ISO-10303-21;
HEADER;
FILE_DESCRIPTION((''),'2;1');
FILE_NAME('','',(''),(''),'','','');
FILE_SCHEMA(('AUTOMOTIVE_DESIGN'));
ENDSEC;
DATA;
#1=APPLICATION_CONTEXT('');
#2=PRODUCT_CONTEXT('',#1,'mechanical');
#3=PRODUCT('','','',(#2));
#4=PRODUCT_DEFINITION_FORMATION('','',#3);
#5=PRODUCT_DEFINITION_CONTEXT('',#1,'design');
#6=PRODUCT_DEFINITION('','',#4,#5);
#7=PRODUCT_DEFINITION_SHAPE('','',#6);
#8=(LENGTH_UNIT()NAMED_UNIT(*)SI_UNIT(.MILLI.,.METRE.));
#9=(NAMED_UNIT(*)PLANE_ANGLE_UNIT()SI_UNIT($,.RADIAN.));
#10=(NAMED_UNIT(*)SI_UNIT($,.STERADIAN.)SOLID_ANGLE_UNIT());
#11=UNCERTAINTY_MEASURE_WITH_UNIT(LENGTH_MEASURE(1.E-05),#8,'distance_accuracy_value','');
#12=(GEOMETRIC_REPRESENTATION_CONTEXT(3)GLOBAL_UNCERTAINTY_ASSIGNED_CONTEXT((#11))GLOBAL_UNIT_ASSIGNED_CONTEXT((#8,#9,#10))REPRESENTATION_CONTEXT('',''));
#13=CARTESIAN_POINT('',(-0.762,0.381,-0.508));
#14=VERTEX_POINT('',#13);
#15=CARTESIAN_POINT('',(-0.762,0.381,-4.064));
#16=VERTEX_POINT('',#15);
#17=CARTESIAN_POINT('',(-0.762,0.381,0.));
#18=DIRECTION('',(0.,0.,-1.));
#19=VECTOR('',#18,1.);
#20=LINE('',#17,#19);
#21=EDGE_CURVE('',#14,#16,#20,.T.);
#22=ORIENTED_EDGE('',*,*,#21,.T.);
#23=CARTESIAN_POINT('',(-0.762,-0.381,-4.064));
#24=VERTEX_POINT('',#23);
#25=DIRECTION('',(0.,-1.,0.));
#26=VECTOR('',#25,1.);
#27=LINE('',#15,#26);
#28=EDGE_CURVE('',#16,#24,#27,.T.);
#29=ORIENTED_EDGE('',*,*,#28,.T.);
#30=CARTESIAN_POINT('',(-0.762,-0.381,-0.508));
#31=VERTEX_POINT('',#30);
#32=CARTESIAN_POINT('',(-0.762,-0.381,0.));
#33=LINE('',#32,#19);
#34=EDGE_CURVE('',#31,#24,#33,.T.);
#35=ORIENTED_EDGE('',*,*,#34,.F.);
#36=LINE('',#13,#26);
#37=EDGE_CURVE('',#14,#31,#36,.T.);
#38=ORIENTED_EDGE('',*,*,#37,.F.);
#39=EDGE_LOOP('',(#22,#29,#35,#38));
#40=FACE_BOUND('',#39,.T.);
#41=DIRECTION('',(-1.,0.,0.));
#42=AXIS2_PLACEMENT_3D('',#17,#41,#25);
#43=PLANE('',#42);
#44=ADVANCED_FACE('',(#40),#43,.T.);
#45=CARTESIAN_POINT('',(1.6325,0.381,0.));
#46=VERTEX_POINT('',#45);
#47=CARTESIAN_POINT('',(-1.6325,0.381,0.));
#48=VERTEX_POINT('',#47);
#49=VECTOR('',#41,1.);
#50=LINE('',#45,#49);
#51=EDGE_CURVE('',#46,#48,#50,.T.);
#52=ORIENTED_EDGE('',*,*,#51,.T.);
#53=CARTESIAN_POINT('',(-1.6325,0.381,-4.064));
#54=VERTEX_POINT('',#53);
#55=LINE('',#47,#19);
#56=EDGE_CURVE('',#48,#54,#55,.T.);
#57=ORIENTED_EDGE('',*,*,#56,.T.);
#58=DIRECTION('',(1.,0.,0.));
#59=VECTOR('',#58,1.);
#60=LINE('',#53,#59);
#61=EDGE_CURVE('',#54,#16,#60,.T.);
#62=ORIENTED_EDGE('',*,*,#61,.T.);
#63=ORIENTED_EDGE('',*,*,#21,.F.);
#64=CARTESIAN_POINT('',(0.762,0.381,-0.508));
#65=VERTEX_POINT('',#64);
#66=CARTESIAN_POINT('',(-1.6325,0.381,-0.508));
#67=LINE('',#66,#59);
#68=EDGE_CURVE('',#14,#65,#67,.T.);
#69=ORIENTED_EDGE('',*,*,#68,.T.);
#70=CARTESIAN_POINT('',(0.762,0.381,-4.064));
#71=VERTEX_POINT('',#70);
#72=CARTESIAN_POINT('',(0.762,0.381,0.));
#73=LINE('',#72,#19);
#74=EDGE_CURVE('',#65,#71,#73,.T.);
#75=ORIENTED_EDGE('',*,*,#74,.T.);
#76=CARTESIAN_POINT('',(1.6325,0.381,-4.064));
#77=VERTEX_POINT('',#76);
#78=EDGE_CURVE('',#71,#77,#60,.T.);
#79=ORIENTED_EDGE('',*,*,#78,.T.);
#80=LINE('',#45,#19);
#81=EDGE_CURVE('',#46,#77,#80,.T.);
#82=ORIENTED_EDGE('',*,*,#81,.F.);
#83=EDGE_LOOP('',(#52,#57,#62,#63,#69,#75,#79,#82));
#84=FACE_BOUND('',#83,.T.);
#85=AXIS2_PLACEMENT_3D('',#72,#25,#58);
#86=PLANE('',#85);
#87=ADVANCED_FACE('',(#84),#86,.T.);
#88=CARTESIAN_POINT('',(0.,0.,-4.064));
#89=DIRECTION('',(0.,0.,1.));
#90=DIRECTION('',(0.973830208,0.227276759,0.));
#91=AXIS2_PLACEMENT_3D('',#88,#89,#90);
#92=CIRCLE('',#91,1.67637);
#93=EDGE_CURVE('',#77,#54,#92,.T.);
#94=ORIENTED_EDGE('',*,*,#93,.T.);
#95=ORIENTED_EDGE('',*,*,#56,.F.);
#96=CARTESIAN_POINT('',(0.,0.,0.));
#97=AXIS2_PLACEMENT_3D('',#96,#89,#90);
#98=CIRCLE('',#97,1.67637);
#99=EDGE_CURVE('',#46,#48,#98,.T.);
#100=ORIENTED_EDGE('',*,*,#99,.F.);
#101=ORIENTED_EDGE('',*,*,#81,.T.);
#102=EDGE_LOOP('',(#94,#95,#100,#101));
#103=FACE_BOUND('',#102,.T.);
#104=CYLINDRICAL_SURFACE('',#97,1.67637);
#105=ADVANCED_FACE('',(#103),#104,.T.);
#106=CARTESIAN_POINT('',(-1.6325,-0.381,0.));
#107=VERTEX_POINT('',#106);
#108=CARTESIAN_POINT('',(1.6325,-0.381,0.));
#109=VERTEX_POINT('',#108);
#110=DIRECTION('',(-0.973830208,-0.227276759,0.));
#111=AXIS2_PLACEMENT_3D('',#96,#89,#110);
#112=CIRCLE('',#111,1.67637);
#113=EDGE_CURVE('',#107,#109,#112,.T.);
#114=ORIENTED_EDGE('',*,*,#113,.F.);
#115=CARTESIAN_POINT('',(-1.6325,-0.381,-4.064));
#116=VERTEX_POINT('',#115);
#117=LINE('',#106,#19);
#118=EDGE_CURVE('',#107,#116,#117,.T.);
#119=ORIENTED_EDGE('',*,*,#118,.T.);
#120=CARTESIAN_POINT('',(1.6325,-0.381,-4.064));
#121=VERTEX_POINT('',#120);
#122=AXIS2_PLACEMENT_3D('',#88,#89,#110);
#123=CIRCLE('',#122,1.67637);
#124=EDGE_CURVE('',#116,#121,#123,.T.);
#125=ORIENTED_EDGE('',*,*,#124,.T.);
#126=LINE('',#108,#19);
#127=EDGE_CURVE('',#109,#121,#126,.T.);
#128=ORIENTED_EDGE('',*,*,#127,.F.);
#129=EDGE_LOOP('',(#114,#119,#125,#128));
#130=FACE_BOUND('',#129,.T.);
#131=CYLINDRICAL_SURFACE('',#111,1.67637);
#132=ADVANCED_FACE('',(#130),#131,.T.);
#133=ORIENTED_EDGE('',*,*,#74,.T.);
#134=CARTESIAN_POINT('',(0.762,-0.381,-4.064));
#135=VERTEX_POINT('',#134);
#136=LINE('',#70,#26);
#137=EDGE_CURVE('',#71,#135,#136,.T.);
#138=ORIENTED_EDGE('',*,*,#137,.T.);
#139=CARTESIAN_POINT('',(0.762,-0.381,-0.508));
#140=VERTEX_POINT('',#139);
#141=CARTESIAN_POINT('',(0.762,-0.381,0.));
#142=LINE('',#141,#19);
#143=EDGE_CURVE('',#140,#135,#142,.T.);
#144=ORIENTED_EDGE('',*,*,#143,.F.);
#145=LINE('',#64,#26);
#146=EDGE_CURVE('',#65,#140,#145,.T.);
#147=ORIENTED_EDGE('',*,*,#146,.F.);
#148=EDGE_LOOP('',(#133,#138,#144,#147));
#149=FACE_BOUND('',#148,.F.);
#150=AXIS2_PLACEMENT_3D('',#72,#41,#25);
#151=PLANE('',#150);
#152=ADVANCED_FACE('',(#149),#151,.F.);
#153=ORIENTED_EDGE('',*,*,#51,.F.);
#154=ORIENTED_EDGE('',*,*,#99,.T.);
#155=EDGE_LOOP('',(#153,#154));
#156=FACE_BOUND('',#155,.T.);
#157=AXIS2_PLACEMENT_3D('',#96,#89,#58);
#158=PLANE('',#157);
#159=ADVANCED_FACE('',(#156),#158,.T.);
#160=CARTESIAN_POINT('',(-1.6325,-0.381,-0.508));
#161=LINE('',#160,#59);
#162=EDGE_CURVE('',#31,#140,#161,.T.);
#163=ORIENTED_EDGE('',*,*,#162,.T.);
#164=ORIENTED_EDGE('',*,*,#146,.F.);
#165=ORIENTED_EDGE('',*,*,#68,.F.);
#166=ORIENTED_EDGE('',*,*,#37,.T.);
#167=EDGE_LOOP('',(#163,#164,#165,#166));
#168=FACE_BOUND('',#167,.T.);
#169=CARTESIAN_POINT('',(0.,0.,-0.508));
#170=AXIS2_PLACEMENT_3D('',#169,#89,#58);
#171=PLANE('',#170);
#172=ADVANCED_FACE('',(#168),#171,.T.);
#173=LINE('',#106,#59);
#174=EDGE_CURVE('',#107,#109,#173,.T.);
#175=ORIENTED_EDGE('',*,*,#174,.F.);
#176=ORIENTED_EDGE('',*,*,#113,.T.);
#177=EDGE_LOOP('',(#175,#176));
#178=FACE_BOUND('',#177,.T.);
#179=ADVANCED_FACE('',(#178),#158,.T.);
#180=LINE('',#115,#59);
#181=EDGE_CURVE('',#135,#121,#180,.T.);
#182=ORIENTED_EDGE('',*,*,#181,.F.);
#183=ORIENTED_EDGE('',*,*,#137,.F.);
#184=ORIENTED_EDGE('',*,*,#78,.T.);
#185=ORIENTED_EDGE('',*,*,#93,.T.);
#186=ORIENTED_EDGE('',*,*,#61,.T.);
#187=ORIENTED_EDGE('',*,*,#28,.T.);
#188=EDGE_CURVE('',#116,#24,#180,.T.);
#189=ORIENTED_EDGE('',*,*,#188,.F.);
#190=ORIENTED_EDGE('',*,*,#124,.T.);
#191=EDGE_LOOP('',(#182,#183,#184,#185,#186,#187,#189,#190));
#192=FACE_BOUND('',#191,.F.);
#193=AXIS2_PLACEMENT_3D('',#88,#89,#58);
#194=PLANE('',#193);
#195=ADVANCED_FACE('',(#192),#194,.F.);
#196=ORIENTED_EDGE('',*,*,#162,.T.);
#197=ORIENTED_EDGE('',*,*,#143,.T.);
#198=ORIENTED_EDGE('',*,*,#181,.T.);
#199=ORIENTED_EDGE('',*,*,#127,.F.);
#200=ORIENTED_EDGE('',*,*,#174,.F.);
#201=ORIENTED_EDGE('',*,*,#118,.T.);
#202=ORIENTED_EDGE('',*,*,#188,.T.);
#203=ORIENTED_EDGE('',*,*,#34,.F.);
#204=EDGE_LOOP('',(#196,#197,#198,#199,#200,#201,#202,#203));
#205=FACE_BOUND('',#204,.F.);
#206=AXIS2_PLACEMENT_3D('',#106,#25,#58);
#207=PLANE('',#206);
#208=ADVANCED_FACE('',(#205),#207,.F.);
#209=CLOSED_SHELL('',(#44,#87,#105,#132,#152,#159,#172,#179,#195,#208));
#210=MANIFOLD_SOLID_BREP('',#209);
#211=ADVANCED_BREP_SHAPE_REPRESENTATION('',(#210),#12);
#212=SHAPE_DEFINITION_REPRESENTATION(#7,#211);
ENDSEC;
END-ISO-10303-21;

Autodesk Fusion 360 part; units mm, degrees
sketch "Sketch1" plane through (0, 0, 0) normal (0, 0, 1) x (1, 0, 0)
  line L0 (-1.6325, 0.381) -> (1.6325, 0.381)
  line L1 (-1.6325, -0.381) -> (1.6325, -0.381)
  line L2 (-0.762, 0) -> (0.762, 0) construction
  line L3 (0, 1.6764) -> (0, -1.6764) construction
  line L4 (-0.762, 0.381) -> (-0.762, -0.381)
  line L5 (0.762, 0.381) -> (0.762, -0.381)
  arc A0 (1.6325, 0.381) -> (-1.6325, 0.381) centre (0, 0) ccw
  arc A1 (-1.6325, -0.381) -> (1.6325, -0.381) centre (0, 0) ccw
  dimension "d1" = 3.3528
  dimension "d2" = 0.762
  dimension "d3" = 1.524
extrude "Extrude1" add sketch "Sketch1" against normal blind 4.064
extrude "Extrude2" cut sketch "Sketch1" against normal blind 0.508 contours L0 L1 L4 L5
